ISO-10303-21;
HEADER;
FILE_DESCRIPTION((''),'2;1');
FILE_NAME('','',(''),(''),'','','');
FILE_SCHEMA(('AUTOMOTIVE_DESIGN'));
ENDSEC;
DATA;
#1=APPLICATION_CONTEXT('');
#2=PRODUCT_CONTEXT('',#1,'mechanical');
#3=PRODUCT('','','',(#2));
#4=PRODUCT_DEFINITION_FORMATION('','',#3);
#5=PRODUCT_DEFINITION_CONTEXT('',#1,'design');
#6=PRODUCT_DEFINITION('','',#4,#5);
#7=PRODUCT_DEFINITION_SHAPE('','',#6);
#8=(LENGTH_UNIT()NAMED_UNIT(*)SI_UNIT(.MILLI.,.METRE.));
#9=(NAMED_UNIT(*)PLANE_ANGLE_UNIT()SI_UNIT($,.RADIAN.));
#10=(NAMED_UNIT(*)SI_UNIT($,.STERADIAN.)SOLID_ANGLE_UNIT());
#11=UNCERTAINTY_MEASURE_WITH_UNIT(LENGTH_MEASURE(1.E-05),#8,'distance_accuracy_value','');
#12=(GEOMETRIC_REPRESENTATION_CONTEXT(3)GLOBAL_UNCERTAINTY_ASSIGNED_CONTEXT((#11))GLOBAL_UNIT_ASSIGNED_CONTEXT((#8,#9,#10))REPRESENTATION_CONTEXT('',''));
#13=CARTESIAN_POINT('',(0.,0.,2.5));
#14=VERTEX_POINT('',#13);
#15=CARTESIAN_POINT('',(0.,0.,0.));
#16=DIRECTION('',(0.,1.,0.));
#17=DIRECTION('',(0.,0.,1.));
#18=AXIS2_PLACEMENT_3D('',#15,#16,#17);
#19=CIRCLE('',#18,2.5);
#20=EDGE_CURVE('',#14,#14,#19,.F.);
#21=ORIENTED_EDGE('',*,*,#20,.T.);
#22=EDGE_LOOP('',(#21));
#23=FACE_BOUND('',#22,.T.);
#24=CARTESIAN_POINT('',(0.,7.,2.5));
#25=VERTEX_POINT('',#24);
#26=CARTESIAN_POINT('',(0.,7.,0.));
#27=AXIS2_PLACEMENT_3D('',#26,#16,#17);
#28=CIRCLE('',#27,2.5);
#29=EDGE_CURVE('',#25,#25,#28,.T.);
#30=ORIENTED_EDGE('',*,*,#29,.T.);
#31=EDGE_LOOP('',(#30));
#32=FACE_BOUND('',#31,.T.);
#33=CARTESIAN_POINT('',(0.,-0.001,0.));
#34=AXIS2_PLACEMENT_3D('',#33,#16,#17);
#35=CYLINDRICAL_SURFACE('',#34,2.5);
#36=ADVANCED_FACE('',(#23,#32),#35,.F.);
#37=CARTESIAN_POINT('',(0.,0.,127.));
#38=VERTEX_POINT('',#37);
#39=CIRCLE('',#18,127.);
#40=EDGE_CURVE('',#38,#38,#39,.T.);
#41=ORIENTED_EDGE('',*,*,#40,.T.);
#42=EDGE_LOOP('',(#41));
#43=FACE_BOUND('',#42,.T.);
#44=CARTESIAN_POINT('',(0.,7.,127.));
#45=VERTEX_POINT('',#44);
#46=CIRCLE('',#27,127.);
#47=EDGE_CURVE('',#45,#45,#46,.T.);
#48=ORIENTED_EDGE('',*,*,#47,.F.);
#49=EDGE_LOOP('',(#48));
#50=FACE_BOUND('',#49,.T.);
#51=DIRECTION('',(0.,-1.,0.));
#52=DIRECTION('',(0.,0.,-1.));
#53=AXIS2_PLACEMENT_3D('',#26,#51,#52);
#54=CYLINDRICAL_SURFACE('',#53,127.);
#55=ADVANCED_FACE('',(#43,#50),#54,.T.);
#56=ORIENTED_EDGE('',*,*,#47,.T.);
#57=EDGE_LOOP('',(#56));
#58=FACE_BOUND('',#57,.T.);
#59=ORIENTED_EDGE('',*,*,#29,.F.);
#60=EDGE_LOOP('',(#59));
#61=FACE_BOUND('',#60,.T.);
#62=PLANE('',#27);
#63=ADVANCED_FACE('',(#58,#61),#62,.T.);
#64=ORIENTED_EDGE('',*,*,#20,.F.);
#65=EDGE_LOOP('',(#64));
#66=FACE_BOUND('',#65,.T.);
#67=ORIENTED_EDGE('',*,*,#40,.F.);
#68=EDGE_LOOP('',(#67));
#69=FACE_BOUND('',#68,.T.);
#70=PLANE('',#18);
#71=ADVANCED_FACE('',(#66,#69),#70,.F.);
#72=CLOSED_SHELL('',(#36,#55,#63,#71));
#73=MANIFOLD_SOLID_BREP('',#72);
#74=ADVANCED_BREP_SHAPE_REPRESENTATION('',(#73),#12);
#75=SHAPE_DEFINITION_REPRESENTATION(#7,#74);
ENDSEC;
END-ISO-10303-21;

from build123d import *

# Parameters (mm, degrees)
SKETCH_1_R          = 127
EXTRUDE_1_DEPTH     = 7
CUT_EXTRUDE_1_REACH = 181.741
SKETCH_2_R          = 2.5


with BuildPart() as part:
    # 草图1 → 凸台-拉伸1 (new body)
    with BuildSketch(Plane(origin=(0, 0, 0), x_dir=(1, 0, 0), z_dir=(0, 1, 0))):
        with Locations(Location((0, 0, 0), (0, 0, 270))):
            Circle(SKETCH_1_R)
    extrude(amount=EXTRUDE_1_DEPTH)

    # 草图2 → 切除-拉伸1 (cut, up to next)
    with BuildSketch(Plane(origin=(0, 7, 0), x_dir=(1, 0, 0), z_dir=(0, 1, 0)), mode=Mode.PRIVATE) as cut_extrude_1_sk1:
        with Locations(Location((0, 0, 0), (0, 0, 270))):
            Circle(SKETCH_2_R)
    cut_extrude_1_tool1 = extrude(cut_extrude_1_sk1.sketch, amount=-CUT_EXTRUDE_1_REACH, mode=Mode.PRIVATE) & part.part
    add(cut_extrude_1_tool1.solids().sort_by_distance((0, 7, 0))[0], mode=Mode.SUBTRACT)


solid = part.part
